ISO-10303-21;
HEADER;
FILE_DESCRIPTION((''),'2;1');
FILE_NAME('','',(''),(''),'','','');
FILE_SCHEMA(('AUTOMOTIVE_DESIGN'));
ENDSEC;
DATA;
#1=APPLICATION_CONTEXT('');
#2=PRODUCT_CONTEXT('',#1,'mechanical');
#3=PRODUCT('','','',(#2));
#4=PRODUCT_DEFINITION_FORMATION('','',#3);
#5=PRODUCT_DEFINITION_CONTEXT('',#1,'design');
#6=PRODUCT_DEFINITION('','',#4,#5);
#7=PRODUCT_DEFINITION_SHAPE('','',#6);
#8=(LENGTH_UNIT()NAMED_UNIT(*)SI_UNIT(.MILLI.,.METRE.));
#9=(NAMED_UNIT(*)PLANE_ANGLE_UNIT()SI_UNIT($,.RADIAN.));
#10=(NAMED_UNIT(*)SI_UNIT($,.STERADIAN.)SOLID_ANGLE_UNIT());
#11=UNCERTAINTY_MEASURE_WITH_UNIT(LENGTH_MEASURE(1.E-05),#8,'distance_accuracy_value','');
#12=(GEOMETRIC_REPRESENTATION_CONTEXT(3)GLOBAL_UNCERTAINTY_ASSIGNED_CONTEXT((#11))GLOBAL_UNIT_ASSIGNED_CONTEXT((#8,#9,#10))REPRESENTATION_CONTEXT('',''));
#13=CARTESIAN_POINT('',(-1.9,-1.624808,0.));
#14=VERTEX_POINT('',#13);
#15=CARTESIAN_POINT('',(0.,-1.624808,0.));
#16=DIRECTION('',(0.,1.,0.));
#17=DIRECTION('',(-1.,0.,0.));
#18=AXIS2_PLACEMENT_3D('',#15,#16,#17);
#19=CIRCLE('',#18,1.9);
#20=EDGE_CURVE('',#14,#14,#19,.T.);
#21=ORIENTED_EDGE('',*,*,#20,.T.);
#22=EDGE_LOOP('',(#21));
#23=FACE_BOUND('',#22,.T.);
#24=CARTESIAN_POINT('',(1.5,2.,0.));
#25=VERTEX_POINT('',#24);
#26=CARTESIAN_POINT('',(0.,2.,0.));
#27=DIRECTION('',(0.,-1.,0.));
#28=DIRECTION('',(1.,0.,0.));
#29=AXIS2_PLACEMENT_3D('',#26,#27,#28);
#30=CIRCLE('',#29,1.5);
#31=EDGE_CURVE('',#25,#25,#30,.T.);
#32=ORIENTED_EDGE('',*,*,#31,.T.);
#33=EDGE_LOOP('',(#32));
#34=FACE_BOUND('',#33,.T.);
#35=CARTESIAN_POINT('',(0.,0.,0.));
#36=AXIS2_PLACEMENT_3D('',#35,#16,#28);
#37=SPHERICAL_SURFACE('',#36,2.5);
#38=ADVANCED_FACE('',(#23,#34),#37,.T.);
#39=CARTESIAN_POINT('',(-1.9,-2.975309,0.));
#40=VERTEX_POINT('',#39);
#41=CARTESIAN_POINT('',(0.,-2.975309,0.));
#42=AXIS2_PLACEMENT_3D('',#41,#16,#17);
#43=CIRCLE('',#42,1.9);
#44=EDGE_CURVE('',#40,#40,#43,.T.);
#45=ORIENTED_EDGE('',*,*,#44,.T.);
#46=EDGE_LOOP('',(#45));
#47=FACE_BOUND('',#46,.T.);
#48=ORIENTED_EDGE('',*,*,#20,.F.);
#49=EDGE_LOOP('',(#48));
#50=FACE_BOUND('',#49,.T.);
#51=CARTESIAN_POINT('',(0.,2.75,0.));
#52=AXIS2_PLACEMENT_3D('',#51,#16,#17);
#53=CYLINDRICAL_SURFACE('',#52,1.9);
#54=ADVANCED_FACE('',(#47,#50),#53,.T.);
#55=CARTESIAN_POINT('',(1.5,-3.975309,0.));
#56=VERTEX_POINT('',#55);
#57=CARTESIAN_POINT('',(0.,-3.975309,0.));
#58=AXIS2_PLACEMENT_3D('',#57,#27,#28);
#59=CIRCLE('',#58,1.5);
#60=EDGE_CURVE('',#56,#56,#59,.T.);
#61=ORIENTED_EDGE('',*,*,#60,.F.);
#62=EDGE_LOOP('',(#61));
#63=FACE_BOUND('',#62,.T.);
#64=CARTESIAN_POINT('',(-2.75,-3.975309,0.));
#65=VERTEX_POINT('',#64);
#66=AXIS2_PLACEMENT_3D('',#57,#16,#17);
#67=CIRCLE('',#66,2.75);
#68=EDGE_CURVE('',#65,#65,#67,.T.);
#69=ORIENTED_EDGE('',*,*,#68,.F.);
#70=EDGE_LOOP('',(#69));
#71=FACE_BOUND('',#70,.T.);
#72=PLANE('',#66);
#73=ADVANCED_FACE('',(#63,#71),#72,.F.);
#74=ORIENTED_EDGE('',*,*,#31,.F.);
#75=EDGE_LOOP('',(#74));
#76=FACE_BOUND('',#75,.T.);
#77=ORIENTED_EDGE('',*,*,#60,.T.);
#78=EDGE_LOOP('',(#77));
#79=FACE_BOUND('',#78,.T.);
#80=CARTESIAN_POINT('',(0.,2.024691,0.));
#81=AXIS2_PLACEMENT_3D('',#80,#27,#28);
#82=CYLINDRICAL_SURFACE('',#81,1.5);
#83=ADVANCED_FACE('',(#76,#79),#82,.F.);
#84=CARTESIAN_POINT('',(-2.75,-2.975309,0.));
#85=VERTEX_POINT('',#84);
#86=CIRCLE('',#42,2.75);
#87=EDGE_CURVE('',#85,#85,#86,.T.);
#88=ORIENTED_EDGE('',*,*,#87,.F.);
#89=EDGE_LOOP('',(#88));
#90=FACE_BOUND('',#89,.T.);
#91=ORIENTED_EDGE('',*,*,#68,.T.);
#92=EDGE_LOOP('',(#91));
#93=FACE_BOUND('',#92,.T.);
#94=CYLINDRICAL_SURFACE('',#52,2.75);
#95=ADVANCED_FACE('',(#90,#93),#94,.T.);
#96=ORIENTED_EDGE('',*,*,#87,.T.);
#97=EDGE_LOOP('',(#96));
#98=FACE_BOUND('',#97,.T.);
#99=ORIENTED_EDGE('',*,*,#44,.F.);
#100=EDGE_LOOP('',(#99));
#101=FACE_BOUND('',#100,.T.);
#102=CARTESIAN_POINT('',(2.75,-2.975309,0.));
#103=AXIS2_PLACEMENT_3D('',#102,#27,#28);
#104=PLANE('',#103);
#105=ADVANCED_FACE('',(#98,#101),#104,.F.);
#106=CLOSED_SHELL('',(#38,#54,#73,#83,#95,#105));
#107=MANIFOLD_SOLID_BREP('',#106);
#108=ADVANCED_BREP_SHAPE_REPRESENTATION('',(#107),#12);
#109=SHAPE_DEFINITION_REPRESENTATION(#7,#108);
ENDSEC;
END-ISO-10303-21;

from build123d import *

# Parameters (mm, degrees)
SKETCH_3_R          = 1.5
CUT_EXTRUDE_1_DEPTH = 7


with BuildPart() as part:
    # 草圖1 → 旋轉1 (revolve)
    with BuildSketch(Plane.XY):
        with BuildLine():
            Line((0, -3.97530862), (2.75, -3.97530862))
            Line((2.75, -3.97530862), (2.75, -2.97530862))
            Line((2.75, -2.97530862), (1.9, -2.97530862))
            Line((1.9, -2.97530862), (1.9, -1.624807681))
            ThreePointArc((1.9, -1.624807681), (2.48254766, 0.29488492), (1.466500875, 2.02469138))
            Line((1.466500875, 2.02469138), (0, 2.02469138))
            Line((0, 2.02469138), (0, -3.97530862))
        make_face()
    revolve(axis=Axis((0, 2.75, 0), (0, -1, 0)))

    # 草圖3 → 除料-伸長1 (cut, through all)
    with BuildSketch(Plane.XZ.offset(3.97530862)):
        Circle(SKETCH_3_R)
    extrude(amount=-CUT_EXTRUDE_1_DEPTH, mode=Mode.SUBTRACT)


solid = part.part
